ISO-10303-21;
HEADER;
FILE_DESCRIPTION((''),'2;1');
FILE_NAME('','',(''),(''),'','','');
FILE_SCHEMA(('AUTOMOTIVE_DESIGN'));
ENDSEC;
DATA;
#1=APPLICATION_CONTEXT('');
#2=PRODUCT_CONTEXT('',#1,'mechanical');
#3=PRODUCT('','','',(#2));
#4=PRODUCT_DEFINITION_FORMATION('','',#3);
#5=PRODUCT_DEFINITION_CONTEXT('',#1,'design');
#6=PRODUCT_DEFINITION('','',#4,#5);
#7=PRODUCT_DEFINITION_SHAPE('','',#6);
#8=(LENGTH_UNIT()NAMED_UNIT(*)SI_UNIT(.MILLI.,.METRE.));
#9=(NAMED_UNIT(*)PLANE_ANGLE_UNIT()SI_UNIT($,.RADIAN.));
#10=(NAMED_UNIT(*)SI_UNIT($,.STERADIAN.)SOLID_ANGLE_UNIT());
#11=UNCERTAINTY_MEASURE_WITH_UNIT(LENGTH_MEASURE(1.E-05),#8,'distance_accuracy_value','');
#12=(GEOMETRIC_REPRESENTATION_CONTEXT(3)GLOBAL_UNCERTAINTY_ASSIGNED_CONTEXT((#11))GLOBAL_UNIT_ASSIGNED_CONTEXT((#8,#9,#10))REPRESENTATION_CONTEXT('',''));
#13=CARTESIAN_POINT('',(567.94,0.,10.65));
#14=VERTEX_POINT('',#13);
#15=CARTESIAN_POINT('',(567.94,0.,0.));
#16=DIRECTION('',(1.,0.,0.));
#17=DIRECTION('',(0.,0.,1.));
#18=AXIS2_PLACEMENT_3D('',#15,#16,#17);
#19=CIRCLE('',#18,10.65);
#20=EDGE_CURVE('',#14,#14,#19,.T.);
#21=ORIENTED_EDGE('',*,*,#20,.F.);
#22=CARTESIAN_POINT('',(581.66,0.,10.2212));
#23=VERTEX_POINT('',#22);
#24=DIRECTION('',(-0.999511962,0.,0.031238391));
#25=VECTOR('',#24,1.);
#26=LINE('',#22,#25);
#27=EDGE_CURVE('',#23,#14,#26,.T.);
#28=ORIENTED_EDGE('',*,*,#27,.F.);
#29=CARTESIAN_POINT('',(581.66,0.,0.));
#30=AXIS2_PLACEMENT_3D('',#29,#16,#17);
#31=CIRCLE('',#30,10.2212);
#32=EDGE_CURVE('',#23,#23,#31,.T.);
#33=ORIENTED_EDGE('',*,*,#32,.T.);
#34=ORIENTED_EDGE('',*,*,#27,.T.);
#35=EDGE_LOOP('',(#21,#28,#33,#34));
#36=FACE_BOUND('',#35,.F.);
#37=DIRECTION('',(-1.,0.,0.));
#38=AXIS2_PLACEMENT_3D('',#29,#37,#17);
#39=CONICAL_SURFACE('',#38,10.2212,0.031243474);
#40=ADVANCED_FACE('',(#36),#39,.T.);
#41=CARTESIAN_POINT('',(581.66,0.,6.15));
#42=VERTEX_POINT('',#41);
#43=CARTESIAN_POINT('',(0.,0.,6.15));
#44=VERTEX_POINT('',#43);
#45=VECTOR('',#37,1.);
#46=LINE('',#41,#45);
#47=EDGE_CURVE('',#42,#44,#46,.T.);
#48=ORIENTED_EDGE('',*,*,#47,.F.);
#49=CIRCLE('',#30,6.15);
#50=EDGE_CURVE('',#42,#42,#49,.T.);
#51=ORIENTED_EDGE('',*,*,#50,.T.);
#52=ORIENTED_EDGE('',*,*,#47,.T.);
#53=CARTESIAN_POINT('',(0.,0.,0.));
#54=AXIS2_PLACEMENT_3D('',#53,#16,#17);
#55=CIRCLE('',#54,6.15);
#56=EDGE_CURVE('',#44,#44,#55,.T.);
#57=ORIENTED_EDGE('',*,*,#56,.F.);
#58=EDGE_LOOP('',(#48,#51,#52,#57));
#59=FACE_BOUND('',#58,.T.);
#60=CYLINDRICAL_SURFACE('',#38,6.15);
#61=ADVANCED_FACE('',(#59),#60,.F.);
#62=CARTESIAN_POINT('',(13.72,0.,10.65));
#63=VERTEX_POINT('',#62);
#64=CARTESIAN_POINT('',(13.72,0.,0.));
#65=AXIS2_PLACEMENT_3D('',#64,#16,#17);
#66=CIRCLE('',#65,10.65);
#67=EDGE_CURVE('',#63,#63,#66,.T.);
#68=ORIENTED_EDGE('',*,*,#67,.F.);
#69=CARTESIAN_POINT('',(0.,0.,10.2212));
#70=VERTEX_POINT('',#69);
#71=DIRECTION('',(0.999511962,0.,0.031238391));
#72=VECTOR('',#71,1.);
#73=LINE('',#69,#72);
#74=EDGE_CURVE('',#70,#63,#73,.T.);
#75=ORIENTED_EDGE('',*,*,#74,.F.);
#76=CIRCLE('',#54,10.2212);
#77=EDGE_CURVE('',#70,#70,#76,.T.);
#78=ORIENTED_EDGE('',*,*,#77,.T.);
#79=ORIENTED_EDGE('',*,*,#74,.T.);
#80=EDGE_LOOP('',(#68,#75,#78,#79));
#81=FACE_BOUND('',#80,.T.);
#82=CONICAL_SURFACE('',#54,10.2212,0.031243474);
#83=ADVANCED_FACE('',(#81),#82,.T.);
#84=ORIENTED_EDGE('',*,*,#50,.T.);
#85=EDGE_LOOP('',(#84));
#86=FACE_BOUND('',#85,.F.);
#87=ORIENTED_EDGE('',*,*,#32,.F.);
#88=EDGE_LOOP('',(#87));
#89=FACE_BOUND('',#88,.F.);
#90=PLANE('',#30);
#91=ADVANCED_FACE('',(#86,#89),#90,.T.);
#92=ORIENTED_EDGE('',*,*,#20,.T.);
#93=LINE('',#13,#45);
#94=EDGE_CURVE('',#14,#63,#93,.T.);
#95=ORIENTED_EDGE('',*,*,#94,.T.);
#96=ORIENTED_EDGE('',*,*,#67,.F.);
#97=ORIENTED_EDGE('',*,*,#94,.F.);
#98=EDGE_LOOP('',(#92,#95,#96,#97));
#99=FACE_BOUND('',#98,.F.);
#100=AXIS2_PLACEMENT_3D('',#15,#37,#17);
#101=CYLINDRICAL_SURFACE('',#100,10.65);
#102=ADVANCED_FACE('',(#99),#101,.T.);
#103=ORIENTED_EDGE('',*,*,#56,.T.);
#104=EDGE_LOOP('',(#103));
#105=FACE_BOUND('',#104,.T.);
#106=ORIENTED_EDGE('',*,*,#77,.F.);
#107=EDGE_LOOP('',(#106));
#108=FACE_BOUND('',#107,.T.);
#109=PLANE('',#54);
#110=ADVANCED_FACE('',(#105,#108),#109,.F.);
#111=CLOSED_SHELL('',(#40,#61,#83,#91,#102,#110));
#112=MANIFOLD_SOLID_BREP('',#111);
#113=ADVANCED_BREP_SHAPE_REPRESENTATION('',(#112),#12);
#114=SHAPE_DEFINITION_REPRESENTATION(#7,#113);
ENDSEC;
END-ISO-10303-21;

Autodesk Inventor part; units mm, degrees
ref_plane "YZ Plane" through (0, 0, 0) normal (1, 0, 0) x (0, 1, 0)
ref_plane "XZ Plane" through (0, 0, 0) normal (0, 1, 0) x (-1, 0, 0)
ref_plane "XY Plane" through (0, 0, 0) normal (0, 0, 1) x (1, 0, 0)
sketch "Sketch1" plane through (0, 0, 0) normal (0, 1, 0) x (-1, 0, 0)
  line L0 (0, 0) -> (-581.66, 0)
  line L1 (-581.66, 6.15) -> (-581.66, 10.2212)
  line L2 (-581.66, 10.2212) -> (-567.94, 10.65)
  line L3 (-567.94, 10.65) -> (-13.72, 10.65)
  line L4 (-290.83, 0) -> (-290.83, 10.65) construction
  line L5 (-573.46, 0) -> (-573.46, 10.4775) construction
  line L6 (0, 6.15) -> (0, 10.2212)
  line L7 (0, 10.2212) -> (-13.72, 10.65)
  line L8 (-8.2, 0) -> (-8.2, 10.4775) construction
  line L9 (-581.66, 6.15) -> (0, 6.15)
  line L10 (-581.66, 6.15) -> (-581.66, 0) construction
  line L11 (0, 6.15) -> (0, 0) construction
  line L12 (-13.72, 10.65) -> (-13.72, 0) construction
  line L13 (-567.94, 10.65) -> (-567.94, 0) construction
  dimension "d0" = 20.955
  dimension "d1" = 21.3
  dimension "d2" = 1.79
  dimension "d3" = 581.66
  dimension "d4" = 8.2
  dimension "d5" = 4.5
revolve "Revolution1" add sketch "Sketch1" angle 360 about axis through (0, 0, 0) along (1, 0, 0)
thread "Thread1" size "R 1/2" standard "DIN Pipe Taper" full length
thread "Thread2" size "R 1/2" standard "DIN Pipe Taper" full length
equation "\"d0\" = MjD"
equation "\"d1\" = OD"
equation "\"d3\" = L"
equation "\"d4\" = a"
equation "\"d5\" = t"
equation "\"OD\" = 21.3"
equation "\"t\" = 4.5"
equation "\"L\" = PL"
equation "\"ID\" = 12.3"
equation "\"PL\" = 581.66"
equation "\"a\" = 8.2"
equation "\"MjD\" = 20.955"
equation "\"Size_Designation\" = 1.2345"
equation "\"PLmin\" = 2 * a - 32 * MjD + 32 * OD + t"
properties material "Steel"
